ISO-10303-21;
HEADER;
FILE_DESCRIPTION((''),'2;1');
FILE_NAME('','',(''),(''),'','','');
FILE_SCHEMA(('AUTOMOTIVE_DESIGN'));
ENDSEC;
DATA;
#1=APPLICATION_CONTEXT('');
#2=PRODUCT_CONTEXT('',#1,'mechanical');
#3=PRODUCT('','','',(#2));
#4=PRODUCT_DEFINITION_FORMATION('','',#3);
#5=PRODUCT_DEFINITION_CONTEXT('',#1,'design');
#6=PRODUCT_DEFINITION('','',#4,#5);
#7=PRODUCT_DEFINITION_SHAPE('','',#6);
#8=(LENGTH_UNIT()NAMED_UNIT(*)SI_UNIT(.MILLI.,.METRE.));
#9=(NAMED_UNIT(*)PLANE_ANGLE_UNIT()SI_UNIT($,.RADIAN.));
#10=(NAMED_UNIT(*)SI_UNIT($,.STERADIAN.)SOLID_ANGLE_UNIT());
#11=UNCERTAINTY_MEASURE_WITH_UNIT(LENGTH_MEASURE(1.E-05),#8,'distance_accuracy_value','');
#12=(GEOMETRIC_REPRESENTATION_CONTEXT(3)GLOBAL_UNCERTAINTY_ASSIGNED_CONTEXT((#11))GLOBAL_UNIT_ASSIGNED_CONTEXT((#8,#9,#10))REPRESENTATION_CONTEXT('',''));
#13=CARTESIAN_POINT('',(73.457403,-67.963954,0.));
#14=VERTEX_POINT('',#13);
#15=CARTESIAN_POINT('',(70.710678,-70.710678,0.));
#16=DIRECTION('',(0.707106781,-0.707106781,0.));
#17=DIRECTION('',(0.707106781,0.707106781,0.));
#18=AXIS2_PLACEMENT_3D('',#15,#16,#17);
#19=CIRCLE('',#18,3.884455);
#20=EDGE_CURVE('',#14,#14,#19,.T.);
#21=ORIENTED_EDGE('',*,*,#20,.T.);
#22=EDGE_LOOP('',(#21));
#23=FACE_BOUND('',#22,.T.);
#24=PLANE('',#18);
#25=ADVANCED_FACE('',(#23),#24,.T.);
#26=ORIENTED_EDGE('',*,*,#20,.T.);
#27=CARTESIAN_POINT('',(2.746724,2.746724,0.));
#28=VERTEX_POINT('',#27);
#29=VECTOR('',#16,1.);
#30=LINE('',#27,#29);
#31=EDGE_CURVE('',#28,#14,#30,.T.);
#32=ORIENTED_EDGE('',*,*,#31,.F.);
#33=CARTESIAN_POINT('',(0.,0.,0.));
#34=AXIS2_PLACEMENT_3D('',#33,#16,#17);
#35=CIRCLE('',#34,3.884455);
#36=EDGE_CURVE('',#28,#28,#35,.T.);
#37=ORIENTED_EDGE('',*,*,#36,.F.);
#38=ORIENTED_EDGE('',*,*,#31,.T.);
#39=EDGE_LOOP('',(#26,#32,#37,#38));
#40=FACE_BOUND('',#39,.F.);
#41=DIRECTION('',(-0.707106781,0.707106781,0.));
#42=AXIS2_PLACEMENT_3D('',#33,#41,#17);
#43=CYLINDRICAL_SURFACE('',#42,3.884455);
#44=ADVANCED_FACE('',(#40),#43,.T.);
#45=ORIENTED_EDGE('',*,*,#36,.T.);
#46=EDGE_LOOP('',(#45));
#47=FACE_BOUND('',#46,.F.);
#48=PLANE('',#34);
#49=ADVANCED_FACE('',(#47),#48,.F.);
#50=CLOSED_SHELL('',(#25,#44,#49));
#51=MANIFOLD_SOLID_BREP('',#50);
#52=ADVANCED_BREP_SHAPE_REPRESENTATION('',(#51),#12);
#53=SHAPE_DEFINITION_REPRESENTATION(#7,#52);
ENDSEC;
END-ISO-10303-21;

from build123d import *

# Parameters (mm, degrees)
F0_R     = 3.884455
F1_DEPTH = 100
F2_ANGLE = 45


with BuildPart() as f1:
    # F0 (on Front) → F1 (new body)
    with BuildSketch(Plane.XZ):
        Circle(F0_R)
    extrude(amount=F1_DEPTH)


with BuildPart() as f1_1:
    # F2: moved
    add(f1.part.rotate(Axis((0, 0, 7.508683), (0, 0, 1)), F2_ANGLE))


solid = f1_1.part
